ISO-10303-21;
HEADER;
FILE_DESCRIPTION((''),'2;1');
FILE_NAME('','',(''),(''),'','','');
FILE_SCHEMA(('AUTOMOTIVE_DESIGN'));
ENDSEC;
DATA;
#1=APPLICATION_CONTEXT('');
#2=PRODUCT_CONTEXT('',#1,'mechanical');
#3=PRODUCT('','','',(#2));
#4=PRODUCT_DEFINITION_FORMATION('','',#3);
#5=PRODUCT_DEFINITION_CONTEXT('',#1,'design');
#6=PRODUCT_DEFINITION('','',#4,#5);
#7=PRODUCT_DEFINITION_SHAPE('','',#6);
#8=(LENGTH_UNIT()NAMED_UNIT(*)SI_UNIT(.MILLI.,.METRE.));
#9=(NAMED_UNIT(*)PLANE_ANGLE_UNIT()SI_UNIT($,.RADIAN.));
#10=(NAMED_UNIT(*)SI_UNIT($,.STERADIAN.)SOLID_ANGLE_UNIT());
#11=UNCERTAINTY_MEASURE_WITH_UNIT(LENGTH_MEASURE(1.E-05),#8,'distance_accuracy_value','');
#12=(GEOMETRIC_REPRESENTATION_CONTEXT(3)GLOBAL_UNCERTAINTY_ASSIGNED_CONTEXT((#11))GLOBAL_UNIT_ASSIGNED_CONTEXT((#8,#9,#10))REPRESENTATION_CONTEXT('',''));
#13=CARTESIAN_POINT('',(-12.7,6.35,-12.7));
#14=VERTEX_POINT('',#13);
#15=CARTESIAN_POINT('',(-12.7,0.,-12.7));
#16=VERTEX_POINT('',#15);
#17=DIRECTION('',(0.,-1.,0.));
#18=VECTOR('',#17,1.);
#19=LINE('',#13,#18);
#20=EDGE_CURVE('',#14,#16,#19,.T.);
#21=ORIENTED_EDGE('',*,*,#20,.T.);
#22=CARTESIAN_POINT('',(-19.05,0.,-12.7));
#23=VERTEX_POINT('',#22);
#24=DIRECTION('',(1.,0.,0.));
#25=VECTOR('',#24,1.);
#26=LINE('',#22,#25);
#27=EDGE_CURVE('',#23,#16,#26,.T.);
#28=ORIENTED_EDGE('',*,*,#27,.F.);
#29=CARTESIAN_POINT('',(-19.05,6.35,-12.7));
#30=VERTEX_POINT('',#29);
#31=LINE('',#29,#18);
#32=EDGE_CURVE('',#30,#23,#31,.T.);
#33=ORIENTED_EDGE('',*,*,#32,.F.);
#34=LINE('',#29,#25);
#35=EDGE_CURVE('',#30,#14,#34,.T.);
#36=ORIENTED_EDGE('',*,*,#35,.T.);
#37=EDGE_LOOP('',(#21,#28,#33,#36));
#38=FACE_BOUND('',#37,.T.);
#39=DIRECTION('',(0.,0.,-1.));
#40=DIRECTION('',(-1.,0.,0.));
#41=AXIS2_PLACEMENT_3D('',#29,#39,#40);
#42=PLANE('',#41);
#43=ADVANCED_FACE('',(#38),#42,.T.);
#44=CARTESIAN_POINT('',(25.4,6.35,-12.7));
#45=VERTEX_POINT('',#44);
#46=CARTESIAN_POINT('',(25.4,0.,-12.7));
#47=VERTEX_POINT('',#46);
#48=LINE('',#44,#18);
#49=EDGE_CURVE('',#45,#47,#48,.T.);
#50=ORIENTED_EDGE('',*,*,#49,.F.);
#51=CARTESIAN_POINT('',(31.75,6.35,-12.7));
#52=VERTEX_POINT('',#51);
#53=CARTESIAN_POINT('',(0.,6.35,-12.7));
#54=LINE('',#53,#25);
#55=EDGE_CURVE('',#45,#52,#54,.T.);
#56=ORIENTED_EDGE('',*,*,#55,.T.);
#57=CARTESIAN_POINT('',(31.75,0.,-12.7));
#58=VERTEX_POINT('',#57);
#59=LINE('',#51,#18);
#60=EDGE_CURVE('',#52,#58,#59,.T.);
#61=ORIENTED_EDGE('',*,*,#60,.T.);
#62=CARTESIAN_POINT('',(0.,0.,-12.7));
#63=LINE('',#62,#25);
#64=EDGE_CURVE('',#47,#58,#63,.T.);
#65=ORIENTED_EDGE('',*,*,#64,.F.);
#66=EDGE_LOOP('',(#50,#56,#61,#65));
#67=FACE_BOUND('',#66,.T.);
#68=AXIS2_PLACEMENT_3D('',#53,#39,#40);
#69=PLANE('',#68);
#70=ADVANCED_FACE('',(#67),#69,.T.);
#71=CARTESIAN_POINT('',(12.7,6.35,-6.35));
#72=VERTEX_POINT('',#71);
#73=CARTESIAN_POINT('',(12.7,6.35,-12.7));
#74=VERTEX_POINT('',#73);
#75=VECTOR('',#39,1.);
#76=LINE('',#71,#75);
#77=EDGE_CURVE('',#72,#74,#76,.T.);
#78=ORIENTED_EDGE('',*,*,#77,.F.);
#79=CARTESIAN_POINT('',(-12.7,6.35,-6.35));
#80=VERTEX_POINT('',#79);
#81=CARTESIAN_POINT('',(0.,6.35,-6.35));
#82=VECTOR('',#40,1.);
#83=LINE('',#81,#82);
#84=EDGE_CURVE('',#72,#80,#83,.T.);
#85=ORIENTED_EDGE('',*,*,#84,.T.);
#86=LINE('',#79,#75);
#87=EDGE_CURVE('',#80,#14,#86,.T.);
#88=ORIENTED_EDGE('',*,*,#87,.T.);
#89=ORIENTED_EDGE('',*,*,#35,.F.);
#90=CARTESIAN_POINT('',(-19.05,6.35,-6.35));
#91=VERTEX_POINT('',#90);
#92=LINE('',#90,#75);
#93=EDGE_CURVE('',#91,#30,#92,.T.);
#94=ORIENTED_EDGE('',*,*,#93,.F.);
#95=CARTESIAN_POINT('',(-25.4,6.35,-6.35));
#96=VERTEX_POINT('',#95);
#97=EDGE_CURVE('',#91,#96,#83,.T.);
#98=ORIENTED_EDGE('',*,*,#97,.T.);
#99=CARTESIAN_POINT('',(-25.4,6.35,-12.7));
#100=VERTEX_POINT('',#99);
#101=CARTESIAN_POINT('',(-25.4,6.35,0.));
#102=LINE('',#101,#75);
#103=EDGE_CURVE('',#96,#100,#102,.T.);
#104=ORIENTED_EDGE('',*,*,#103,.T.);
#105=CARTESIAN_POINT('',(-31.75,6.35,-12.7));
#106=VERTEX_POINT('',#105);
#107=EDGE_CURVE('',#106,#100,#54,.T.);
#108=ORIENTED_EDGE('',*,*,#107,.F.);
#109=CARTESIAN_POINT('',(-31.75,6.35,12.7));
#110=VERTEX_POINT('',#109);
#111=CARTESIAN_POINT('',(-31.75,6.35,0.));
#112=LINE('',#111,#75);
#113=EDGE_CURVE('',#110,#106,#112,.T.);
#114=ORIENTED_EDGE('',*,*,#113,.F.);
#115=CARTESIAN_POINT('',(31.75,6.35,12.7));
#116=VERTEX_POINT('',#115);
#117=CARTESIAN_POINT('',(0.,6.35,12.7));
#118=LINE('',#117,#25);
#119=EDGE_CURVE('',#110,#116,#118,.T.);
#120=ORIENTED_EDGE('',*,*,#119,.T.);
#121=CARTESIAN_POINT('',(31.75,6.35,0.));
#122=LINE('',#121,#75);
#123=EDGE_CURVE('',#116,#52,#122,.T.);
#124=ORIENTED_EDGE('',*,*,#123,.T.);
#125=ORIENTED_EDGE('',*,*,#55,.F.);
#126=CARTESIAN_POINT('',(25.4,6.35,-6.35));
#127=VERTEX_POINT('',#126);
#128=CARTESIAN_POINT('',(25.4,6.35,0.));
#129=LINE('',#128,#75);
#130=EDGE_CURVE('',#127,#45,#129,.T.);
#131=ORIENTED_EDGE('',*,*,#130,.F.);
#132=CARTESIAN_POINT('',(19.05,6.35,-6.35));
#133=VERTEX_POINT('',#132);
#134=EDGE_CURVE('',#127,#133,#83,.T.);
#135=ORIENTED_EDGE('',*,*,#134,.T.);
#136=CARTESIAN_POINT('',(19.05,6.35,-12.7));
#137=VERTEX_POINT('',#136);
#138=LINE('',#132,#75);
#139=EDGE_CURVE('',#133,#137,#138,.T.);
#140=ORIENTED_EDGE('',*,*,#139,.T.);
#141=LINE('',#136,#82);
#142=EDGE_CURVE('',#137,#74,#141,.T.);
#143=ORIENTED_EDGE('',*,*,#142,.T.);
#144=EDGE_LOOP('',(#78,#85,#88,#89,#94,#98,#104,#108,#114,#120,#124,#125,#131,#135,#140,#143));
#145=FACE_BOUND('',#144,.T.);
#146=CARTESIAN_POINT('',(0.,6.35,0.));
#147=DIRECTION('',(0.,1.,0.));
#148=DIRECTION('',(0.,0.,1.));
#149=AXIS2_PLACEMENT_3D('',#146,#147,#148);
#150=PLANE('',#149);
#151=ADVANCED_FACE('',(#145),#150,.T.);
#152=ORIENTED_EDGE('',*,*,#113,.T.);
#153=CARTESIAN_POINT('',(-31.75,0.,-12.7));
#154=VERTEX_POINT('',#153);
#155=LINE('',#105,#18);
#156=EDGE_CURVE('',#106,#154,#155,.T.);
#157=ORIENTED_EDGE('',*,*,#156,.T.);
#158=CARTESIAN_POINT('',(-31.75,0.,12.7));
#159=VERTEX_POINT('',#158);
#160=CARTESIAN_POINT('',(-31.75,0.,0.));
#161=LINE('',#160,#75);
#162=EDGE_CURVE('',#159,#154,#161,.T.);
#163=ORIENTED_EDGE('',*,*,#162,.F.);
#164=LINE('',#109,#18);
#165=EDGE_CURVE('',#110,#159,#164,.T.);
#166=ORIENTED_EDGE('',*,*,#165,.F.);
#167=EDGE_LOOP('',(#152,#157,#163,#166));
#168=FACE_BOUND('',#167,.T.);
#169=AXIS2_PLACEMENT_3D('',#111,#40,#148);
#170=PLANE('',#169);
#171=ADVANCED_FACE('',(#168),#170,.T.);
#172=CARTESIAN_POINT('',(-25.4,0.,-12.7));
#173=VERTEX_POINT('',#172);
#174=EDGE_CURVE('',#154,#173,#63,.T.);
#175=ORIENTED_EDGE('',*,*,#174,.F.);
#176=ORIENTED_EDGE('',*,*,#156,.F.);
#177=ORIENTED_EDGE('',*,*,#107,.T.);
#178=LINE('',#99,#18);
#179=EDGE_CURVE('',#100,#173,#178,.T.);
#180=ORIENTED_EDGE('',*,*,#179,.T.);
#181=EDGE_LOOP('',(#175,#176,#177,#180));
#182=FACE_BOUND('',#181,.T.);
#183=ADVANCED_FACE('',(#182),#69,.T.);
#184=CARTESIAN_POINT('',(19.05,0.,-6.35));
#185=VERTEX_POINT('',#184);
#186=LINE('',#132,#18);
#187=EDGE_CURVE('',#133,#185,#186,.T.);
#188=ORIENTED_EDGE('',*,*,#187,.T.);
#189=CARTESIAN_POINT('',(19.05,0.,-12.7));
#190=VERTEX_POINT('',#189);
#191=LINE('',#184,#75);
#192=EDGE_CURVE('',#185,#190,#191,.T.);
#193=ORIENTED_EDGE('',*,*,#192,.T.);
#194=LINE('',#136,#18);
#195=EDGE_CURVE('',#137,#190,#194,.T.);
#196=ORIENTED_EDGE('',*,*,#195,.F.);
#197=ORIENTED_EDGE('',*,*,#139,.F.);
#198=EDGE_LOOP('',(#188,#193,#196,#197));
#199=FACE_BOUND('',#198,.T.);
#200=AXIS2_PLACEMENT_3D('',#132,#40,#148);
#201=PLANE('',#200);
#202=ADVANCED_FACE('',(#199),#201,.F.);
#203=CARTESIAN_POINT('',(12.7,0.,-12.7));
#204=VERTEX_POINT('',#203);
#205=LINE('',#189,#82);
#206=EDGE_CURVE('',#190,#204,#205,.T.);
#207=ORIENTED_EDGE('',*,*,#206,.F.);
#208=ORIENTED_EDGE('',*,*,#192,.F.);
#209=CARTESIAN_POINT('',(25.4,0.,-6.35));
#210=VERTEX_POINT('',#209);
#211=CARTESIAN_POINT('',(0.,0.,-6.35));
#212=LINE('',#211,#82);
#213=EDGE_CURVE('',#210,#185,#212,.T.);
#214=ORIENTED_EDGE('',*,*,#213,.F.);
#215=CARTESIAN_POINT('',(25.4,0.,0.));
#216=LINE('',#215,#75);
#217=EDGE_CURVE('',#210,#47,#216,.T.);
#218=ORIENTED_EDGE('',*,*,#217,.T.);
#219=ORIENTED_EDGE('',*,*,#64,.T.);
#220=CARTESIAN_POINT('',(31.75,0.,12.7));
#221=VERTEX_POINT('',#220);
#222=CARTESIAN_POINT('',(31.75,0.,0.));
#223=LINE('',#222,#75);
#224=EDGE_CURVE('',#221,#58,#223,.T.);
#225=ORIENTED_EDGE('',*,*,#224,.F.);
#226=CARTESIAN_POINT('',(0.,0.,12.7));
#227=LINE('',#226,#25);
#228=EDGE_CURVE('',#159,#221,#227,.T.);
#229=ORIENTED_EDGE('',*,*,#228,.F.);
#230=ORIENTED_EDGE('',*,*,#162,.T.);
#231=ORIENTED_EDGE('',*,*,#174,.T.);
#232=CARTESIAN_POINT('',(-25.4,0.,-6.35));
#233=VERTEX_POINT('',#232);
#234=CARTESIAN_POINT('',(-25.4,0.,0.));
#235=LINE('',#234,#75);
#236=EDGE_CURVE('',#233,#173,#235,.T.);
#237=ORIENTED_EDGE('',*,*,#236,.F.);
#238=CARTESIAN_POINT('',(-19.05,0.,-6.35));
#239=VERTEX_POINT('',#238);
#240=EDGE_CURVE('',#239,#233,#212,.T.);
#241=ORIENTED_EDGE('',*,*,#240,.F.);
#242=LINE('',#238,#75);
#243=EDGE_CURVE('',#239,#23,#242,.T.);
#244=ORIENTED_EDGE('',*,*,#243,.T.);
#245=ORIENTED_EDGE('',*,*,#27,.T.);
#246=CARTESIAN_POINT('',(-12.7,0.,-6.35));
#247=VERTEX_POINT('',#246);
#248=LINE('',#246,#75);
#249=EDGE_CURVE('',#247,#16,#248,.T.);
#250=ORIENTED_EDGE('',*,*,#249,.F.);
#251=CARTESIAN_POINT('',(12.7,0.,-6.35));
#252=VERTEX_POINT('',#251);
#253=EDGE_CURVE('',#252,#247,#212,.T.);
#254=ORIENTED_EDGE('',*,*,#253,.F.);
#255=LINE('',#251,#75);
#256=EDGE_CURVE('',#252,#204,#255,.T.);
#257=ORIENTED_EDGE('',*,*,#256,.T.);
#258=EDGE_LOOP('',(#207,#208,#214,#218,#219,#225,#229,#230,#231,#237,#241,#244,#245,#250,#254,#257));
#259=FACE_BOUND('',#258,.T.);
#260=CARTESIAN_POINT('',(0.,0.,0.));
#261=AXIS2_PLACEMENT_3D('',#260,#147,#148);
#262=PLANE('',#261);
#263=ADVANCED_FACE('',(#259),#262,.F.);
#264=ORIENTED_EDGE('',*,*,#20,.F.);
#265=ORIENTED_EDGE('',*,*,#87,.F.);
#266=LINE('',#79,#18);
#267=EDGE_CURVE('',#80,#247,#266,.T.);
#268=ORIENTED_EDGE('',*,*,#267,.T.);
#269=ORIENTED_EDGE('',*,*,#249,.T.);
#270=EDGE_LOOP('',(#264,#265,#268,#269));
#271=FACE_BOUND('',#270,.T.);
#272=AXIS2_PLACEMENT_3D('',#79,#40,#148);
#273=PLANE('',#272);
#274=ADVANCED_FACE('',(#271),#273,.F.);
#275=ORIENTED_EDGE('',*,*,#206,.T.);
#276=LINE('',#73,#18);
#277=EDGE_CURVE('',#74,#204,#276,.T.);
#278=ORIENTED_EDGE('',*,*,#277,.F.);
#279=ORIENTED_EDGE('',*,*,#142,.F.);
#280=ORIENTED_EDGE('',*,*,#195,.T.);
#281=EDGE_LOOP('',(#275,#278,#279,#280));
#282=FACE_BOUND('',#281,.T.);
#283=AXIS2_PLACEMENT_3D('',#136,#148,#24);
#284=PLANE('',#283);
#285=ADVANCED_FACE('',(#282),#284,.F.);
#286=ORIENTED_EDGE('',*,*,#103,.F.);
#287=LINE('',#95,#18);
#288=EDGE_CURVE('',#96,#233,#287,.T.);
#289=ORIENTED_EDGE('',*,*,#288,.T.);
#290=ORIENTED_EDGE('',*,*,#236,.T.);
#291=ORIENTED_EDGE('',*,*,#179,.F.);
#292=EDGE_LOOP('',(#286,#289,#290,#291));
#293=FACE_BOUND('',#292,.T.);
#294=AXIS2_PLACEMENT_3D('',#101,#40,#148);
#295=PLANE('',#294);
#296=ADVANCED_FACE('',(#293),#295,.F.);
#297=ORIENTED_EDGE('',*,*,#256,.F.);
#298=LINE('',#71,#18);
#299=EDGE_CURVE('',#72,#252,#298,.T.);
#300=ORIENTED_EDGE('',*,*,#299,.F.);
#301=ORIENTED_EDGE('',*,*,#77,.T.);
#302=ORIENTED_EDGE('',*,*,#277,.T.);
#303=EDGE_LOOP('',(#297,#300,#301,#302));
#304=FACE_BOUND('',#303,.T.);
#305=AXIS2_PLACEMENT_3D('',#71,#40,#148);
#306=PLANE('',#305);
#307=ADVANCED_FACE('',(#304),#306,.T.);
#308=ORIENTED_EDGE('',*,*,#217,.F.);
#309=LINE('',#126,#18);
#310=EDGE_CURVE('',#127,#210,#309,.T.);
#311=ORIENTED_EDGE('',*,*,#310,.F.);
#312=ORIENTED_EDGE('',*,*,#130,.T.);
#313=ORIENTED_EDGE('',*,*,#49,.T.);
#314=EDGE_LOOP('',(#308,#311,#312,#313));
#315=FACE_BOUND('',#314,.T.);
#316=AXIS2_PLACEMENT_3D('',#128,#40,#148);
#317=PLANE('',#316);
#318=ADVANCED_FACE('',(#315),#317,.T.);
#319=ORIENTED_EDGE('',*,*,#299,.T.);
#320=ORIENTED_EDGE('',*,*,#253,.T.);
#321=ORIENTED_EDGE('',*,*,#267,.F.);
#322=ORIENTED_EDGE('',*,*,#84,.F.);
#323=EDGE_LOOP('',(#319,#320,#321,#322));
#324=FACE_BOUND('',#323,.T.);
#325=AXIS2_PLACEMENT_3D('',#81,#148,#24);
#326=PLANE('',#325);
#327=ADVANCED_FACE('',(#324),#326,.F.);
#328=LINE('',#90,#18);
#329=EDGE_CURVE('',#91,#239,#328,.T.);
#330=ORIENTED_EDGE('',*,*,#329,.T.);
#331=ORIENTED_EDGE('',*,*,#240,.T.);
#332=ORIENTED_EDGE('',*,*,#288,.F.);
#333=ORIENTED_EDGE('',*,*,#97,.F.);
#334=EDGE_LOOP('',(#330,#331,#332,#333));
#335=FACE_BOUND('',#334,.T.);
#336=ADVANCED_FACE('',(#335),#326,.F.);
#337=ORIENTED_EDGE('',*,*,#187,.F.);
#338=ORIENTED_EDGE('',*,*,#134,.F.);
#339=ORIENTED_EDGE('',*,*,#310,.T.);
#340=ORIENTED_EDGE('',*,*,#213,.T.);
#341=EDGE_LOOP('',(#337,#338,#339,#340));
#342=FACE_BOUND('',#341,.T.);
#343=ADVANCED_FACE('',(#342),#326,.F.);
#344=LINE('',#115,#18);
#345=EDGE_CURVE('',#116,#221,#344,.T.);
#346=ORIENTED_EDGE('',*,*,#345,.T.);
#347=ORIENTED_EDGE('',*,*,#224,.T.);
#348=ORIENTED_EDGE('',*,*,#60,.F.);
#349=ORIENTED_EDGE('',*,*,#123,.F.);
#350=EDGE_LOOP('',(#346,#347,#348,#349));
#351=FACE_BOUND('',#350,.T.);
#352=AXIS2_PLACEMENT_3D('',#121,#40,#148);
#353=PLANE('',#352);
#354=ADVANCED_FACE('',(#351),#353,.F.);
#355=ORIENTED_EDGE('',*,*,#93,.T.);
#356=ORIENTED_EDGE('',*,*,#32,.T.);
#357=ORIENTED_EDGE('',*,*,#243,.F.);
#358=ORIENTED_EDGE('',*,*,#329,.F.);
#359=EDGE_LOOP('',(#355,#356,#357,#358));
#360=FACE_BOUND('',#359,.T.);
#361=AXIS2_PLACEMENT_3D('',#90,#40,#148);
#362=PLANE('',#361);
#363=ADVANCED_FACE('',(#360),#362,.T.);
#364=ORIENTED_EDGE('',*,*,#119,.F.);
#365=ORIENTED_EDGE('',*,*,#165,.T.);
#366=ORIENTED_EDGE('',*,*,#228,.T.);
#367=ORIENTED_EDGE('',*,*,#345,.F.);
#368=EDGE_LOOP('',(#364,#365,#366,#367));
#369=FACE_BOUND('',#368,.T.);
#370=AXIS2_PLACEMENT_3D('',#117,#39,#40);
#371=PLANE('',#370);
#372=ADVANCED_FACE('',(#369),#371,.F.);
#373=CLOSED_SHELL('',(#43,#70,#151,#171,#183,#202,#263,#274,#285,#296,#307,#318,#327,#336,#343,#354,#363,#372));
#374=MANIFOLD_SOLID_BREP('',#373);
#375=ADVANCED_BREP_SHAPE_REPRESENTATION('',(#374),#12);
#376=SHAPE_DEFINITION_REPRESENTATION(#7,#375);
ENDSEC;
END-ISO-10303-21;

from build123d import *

# Parameters (mm, degrees)
SKETCH1_W           = 6.35
SKETCH1_H           = 6.35
BOSS_EXTRUDE1_DEPTH = 6.35


with BuildPart() as part:
    # Sketch1 → Boss-Extrude1 (new body)
    with BuildSketch(Plane(origin=(0, 0, 0), x_dir=(1, 0, 0), z_dir=(0, 1, 0))):
        Polygon((-31.75, 12.7), (-31.75, -12.7), (31.75, -12.7), (31.75, 12.7), (25.4, 12.7), (25.4, 6.35), (19.05, 6.35), (12.7, 6.35), (-12.7, 6.35), (-19.05, 6.35), (-25.4, 6.35), (-25.4, 12.7), align=None)
        with Locations((-15.875, 9.525)):
            Rectangle(SKETCH1_W, SKETCH1_H)
        with Locations((15.875, 9.525)):
            Rectangle(SKETCH1_W, SKETCH1_H)
    extrude(amount=BOSS_EXTRUDE1_DEPTH)


solid = part.part
